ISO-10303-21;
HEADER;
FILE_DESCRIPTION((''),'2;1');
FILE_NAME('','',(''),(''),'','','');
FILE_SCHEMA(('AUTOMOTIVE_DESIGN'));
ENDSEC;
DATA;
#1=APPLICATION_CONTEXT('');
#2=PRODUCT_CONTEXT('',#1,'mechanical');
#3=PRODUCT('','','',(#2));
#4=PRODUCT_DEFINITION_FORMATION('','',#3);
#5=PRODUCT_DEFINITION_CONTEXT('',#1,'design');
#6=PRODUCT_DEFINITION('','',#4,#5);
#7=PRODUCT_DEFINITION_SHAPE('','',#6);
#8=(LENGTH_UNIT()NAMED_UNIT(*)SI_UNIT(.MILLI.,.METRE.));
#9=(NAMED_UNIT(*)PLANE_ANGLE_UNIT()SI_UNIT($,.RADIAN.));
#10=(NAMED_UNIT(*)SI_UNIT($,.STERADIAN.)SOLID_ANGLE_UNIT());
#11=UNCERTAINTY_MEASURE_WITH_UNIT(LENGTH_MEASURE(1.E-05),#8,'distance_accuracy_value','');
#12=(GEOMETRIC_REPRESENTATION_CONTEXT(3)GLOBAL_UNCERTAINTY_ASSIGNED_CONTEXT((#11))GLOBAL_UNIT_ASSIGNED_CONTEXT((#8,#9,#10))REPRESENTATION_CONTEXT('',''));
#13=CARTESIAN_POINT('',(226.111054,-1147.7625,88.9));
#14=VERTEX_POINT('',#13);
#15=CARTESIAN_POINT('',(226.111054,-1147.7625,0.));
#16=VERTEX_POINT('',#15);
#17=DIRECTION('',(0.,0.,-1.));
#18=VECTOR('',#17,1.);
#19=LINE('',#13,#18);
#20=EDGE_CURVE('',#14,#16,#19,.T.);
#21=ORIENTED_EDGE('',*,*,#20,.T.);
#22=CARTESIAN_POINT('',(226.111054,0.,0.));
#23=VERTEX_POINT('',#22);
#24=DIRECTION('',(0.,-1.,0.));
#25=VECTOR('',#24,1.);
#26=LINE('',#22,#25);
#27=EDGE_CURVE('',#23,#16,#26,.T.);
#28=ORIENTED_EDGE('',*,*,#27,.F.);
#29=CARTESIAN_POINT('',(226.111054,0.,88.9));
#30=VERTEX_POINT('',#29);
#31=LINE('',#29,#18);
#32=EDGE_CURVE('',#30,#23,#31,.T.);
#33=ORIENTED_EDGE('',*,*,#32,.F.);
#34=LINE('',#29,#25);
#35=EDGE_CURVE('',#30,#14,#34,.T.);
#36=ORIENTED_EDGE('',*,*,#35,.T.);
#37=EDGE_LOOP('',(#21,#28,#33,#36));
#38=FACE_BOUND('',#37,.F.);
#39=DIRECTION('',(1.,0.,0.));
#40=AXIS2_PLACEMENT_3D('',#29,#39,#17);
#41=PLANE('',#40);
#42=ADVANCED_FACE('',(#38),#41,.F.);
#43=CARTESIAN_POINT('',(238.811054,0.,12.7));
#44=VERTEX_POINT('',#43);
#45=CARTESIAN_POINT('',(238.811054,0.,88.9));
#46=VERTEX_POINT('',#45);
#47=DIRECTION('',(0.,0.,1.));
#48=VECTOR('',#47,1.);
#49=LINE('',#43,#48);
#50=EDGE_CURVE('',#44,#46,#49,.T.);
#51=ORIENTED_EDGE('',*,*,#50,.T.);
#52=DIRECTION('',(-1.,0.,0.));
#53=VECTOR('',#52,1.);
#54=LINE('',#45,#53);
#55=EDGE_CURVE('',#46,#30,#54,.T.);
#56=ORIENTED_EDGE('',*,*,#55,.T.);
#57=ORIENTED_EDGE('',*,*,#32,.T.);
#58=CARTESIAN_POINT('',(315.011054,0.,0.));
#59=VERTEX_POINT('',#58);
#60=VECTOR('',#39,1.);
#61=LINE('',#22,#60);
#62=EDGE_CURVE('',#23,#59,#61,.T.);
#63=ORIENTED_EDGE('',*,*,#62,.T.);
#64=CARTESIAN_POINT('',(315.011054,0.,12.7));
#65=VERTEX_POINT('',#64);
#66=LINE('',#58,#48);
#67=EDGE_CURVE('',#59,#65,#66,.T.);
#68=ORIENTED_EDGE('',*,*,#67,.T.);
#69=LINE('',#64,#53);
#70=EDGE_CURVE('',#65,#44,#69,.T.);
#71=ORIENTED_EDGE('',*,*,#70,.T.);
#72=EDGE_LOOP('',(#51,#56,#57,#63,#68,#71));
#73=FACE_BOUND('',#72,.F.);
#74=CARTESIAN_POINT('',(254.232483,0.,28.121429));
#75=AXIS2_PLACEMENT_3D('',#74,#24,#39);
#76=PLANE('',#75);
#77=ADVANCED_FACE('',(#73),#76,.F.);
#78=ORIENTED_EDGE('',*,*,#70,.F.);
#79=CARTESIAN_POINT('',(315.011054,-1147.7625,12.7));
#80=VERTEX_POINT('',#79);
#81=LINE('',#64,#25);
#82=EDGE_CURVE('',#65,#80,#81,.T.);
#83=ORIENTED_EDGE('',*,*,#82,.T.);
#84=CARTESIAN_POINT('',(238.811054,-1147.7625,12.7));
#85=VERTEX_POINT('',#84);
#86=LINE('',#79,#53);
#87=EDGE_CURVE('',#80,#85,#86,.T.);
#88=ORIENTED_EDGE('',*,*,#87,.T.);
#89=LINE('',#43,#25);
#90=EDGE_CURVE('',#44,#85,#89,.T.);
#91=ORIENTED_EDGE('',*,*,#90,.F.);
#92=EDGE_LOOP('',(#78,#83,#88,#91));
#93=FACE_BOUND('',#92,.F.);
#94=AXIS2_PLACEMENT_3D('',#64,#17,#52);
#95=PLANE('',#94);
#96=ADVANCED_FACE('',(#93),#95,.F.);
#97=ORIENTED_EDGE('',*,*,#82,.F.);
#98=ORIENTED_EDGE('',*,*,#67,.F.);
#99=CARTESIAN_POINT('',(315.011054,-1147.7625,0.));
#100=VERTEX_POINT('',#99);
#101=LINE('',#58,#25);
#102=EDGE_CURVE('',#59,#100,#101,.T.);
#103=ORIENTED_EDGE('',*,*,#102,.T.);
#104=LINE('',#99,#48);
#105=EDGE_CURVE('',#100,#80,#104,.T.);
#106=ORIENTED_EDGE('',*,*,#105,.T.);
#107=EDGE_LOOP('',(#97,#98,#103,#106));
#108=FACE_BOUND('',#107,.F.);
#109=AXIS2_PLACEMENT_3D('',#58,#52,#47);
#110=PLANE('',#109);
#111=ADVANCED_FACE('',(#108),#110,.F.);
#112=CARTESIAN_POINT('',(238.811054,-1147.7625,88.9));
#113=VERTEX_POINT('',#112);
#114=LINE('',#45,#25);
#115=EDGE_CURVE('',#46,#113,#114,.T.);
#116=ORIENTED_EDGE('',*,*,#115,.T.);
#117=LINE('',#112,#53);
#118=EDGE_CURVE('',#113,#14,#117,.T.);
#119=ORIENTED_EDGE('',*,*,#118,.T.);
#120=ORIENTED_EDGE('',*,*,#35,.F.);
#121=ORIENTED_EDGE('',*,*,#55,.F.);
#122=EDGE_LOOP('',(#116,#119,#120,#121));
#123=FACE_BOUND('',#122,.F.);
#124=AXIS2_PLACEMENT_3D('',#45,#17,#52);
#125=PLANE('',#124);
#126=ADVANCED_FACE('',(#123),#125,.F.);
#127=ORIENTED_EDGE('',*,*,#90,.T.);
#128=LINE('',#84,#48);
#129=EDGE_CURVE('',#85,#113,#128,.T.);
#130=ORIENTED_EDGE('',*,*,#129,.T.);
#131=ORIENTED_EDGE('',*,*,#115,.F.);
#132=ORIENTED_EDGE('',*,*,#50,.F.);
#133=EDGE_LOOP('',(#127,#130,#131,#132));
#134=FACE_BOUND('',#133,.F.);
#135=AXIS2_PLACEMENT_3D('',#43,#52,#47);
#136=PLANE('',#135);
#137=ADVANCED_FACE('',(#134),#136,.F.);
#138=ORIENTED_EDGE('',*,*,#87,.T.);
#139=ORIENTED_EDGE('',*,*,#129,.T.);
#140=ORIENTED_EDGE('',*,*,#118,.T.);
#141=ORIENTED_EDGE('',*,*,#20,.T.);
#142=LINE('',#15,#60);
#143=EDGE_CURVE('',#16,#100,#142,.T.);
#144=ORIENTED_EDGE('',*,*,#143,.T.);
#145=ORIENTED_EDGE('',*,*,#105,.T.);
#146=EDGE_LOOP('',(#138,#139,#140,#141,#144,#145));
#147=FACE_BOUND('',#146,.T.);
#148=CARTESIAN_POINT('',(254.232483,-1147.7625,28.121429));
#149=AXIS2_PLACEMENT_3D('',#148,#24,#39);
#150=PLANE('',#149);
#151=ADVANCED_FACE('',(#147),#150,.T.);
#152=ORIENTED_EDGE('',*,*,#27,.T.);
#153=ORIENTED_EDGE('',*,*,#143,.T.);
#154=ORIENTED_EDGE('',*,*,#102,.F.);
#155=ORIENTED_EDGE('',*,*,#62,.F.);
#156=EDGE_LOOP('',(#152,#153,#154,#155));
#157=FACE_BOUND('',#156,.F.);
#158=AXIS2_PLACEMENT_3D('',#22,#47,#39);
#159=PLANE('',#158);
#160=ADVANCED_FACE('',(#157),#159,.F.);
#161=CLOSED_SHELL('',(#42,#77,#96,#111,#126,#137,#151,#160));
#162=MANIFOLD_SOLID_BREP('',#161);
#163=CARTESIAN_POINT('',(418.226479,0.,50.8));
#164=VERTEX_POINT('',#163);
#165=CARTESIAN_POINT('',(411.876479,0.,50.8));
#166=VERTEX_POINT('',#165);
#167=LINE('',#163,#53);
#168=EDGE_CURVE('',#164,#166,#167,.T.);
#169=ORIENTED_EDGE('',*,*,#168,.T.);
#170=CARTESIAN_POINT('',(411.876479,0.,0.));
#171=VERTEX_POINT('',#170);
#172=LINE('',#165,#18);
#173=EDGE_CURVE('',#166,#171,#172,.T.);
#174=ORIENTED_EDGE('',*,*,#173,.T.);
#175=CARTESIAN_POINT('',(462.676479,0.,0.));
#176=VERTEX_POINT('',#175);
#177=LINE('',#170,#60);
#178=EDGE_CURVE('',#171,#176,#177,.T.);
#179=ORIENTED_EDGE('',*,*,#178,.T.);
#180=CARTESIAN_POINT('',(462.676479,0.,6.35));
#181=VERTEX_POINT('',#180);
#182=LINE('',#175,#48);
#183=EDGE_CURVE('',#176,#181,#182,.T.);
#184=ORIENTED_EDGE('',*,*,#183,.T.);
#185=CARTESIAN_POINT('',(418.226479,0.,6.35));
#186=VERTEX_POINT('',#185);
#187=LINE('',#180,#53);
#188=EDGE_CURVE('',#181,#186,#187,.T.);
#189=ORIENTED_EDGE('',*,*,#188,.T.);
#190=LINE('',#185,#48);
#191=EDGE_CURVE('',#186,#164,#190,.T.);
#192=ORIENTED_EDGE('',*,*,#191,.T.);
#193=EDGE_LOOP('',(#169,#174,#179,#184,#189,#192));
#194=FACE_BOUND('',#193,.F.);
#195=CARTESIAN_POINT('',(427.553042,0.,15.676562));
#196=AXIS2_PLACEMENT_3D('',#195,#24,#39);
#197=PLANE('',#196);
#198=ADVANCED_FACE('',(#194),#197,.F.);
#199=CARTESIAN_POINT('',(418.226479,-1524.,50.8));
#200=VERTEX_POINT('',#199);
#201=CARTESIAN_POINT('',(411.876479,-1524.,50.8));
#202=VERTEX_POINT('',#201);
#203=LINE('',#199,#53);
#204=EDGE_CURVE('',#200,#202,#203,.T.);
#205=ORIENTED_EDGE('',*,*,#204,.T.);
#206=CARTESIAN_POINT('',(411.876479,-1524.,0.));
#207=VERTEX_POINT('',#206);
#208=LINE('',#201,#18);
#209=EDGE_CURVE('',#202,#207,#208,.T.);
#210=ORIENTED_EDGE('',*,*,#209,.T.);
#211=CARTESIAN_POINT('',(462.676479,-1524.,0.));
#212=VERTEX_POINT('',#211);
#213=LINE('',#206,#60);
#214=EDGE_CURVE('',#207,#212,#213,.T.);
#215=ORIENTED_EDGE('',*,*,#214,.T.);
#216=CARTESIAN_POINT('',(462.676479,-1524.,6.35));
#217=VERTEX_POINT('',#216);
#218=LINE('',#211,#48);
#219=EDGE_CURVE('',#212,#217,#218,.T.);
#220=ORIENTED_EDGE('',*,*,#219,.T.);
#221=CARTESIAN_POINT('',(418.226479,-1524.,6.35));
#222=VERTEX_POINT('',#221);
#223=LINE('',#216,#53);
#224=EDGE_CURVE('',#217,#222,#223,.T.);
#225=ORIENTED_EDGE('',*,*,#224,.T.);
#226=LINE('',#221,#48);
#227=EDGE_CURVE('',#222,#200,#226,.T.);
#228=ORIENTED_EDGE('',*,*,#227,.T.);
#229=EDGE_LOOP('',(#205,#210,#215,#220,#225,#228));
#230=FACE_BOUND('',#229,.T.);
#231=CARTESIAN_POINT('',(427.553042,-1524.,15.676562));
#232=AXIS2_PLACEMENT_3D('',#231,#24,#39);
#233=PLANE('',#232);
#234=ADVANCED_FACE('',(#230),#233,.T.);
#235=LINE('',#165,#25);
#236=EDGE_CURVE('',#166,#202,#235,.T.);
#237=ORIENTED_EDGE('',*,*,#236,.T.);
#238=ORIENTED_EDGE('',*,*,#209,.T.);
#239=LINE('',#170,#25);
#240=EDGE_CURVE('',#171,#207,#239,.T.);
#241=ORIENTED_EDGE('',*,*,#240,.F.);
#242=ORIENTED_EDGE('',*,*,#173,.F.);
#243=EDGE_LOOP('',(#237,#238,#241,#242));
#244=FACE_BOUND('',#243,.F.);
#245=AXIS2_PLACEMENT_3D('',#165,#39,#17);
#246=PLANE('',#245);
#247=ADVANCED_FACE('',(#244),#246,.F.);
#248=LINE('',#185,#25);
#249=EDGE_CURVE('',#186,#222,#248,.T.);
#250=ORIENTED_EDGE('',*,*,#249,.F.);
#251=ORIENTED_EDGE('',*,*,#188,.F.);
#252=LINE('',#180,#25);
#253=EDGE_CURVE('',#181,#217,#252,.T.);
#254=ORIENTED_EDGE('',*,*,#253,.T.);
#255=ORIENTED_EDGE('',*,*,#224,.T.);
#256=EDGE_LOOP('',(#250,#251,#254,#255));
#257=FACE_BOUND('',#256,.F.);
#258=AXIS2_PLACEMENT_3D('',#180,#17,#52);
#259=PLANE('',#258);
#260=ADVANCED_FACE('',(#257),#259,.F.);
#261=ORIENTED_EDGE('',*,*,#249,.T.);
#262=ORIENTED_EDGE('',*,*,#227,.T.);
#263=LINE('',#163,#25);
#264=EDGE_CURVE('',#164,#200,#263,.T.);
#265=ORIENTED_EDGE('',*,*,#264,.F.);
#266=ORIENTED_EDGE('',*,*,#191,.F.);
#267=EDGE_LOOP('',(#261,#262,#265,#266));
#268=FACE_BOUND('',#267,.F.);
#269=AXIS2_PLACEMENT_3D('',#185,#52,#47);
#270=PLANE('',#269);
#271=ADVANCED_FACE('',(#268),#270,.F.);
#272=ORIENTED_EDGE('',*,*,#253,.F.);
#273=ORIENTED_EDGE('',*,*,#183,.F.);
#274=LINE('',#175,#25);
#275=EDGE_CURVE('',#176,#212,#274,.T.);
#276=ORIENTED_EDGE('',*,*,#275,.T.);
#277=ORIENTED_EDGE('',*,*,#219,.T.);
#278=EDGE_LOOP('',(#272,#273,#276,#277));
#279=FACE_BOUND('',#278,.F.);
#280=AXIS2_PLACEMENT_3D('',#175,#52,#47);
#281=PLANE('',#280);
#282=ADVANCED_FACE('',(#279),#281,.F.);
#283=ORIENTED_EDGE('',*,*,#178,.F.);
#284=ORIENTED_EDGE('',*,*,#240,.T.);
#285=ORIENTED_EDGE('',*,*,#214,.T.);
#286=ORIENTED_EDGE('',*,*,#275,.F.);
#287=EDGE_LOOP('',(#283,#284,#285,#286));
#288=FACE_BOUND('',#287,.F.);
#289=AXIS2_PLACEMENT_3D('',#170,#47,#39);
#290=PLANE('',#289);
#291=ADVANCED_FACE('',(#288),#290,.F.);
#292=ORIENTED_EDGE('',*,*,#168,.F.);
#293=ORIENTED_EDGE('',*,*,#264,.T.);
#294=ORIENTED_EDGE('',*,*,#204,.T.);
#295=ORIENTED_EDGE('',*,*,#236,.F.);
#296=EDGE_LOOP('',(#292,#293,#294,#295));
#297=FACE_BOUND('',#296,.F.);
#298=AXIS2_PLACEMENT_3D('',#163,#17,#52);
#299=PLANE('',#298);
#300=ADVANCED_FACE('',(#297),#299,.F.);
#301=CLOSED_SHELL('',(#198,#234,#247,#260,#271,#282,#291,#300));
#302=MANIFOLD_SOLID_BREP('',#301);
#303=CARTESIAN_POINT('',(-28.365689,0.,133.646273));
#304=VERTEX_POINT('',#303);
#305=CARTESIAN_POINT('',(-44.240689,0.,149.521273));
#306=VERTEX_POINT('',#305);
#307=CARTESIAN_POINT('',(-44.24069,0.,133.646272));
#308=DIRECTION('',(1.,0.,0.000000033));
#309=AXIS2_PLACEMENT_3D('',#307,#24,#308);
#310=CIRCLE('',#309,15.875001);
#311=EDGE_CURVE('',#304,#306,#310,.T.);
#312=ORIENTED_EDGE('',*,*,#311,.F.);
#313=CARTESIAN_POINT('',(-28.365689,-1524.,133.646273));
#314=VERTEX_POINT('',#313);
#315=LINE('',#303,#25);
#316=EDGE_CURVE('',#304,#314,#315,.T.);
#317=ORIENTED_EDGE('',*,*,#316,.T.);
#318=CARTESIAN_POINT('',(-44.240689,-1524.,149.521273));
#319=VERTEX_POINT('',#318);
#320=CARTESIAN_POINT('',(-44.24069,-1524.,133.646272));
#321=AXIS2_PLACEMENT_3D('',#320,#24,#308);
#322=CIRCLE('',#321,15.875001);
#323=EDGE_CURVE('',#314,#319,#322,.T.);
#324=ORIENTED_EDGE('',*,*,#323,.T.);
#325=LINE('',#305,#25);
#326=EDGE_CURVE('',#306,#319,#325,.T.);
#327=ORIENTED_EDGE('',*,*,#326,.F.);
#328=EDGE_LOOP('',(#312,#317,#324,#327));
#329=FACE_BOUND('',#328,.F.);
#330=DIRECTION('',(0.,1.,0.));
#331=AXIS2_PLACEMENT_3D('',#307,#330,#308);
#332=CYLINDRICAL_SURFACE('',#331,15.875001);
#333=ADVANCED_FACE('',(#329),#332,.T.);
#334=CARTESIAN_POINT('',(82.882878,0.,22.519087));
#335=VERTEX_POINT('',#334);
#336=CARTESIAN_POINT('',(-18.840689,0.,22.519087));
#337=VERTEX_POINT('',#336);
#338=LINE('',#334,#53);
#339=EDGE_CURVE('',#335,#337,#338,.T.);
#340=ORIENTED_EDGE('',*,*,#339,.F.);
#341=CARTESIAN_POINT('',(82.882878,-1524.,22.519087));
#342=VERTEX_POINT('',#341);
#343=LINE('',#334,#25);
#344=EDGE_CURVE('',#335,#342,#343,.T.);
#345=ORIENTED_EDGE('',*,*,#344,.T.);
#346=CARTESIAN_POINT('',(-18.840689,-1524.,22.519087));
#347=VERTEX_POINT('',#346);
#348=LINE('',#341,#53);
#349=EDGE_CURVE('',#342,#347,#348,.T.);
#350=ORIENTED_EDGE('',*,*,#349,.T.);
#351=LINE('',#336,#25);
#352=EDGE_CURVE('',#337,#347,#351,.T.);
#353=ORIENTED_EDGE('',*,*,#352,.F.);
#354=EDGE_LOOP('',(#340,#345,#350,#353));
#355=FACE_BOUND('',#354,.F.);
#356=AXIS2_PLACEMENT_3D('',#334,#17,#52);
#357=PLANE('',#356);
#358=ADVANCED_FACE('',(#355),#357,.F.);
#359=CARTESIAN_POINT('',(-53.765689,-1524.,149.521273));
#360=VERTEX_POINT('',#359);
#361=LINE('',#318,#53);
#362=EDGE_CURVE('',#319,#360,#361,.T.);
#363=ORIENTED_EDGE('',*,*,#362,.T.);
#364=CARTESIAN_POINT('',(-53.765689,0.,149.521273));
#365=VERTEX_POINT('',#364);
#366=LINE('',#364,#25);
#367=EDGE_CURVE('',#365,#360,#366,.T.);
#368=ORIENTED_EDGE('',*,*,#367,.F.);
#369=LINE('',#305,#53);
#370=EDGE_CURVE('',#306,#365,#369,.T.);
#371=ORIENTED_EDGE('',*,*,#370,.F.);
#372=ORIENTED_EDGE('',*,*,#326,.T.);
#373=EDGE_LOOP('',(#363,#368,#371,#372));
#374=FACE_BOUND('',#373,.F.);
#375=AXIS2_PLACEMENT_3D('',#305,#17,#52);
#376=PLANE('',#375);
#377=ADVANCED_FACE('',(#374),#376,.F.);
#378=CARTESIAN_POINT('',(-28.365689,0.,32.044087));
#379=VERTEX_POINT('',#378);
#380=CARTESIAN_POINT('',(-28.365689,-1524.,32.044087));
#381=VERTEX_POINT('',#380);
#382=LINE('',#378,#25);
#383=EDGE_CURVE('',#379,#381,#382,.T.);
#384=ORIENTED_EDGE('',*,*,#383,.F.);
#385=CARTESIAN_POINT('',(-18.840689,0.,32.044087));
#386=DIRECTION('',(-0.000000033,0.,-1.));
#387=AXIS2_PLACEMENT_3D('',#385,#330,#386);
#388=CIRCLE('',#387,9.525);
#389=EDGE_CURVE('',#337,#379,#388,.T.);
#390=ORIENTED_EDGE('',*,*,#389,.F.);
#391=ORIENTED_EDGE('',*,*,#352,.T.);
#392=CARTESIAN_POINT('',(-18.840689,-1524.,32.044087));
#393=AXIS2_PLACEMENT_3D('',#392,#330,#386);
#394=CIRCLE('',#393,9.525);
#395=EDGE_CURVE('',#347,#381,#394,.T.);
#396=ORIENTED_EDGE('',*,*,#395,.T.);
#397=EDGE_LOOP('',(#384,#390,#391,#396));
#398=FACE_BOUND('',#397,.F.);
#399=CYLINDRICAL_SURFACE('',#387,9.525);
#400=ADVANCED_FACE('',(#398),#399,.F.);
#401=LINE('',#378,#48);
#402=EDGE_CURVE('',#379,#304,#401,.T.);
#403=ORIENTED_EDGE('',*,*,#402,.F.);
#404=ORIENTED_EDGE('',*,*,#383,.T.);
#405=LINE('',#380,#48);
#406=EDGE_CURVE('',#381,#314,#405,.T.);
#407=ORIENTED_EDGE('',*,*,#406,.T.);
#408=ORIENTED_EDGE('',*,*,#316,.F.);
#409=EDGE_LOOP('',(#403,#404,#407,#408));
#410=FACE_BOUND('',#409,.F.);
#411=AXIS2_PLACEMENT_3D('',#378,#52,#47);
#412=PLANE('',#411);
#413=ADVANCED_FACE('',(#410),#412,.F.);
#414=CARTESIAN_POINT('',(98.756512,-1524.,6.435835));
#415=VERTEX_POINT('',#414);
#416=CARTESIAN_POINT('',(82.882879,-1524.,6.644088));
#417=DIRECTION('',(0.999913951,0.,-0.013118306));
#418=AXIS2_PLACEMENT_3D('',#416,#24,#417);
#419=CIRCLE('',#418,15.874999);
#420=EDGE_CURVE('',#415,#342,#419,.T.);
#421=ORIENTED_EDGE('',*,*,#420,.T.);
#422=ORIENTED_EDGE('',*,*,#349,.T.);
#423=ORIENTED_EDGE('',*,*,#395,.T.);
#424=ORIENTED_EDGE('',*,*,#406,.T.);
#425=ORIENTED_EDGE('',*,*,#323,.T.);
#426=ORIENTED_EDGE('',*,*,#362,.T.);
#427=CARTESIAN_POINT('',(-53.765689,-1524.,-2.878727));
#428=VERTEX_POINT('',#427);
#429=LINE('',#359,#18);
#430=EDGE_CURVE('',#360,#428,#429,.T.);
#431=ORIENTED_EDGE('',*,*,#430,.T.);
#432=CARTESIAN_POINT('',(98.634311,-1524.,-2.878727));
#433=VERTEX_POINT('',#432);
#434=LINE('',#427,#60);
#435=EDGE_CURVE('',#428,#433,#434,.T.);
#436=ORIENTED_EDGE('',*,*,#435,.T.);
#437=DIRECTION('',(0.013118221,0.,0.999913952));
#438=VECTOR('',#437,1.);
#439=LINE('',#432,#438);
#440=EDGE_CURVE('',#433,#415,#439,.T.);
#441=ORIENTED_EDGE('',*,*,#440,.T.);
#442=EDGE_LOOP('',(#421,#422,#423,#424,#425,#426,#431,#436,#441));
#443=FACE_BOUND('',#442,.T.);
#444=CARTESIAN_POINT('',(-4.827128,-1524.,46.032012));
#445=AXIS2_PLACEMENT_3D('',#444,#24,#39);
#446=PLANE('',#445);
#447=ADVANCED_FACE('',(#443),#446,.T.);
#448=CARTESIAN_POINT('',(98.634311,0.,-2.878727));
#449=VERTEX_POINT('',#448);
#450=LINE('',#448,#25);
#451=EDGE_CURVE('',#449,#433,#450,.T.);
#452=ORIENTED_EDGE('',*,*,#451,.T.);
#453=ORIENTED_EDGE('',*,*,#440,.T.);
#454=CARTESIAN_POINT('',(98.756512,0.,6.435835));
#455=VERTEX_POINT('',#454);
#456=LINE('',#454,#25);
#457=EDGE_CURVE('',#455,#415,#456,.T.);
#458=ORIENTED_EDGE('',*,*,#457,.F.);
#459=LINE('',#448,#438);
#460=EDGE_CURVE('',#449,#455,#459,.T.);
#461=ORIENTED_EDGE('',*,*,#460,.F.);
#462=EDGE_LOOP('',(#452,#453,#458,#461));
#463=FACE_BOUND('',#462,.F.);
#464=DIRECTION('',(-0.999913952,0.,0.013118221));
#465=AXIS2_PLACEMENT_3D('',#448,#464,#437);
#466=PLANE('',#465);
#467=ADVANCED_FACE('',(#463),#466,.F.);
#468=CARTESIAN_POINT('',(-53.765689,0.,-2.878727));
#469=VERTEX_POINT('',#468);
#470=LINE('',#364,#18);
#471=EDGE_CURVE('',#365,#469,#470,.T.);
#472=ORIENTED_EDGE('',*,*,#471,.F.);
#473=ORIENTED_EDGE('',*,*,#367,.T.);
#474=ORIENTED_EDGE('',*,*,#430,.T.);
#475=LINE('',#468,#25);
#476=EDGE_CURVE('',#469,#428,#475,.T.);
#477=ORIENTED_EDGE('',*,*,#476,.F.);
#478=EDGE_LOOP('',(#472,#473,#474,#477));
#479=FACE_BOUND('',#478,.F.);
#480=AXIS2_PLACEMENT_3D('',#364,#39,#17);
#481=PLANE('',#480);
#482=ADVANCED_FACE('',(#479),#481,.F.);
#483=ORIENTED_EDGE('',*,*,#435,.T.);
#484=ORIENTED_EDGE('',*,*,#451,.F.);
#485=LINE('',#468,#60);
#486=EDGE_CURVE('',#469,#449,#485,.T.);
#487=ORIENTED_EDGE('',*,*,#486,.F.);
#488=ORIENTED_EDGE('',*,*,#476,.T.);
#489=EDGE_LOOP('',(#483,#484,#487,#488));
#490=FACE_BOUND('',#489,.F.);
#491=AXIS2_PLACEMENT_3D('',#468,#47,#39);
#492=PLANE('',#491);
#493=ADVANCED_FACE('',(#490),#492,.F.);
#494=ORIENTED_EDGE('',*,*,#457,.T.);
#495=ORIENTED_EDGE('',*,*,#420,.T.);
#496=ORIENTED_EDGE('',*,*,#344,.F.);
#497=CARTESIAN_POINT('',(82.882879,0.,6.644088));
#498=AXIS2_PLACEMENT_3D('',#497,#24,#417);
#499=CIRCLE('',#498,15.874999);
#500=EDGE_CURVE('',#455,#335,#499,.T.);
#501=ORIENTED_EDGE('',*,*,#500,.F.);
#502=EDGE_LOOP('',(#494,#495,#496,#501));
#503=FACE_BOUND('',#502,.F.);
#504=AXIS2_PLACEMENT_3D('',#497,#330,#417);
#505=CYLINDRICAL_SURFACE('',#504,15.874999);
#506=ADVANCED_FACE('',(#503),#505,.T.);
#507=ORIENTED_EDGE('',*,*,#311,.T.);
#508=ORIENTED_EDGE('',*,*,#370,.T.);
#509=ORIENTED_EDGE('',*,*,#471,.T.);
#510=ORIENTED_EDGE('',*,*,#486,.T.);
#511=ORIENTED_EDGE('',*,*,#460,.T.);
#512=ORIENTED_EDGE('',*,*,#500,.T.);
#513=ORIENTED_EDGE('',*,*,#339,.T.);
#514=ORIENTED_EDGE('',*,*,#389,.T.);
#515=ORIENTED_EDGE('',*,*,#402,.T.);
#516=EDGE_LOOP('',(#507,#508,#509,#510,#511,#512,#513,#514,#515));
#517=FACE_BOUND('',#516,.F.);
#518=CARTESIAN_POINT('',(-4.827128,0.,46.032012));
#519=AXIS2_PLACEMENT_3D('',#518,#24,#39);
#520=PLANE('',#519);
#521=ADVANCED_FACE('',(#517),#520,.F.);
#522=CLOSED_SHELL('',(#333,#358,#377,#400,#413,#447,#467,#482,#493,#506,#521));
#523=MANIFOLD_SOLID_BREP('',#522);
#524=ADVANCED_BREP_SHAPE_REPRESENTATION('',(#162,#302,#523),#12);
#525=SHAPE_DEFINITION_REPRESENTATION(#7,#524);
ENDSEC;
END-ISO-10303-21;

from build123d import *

# Parameters (mm, degrees)
F1_DEPTH = 1524
F3_DEPTH = 1147.7625
F5_DEPTH = 1524


with BuildPart() as f1:
    # F0 (on Front) → F1 (new body)
    with BuildSketch(Plane.XZ):
        with BuildLine():
            Line((-44.240689, 149.521273), (-53.765689, 149.521273))
            Line((-53.765689, 149.521273), (-53.765689, -2.878727))
            Line((-53.765689, -2.878727), (98.634311, -2.878727))
            Line((98.634311, -2.878727), (98.756512, 6.435835))
            ThreePointArc((98.756512, 6.435835), (94.181587, 17.795536), (82.882878, 22.519087))
            Line((82.882878, 22.519087), (-18.840689, 22.519087))
            ThreePointArc((-18.840689, 22.519087), (-25.575881, 25.308895), (-28.365689, 32.044087))
            Line((-28.365689, 32.044087), (-28.365689, 133.646273))
            ThreePointArc((-28.365689, 133.646273), (-33.015369, 144.871593), (-44.240689, 149.521273))
        make_face()
    extrude(amount=F1_DEPTH)


with BuildPart() as f3:
    # F2 (on Front) → F3 (new body)
    with BuildSketch(Plane.XZ):
        Polygon((238.811054, 88.9), (226.111054, 88.9), (226.111054, 0), (315.011054, 0), (315.011054, 12.7), (238.811054, 12.7), align=None)
    extrude(amount=F3_DEPTH)


with BuildPart() as f5:
    # F4 (on Front) → F5 (new body)
    with BuildSketch(Plane.XZ):
        Polygon((418.226479, 50.8), (411.876479, 50.8), (411.876479, 0), (462.676479, 0), (462.676479, 6.35), (418.226479, 6.35), align=None)
    extrude(amount=F5_DEPTH)


solid = Compound([f1.part, f3.part, f5.part])
